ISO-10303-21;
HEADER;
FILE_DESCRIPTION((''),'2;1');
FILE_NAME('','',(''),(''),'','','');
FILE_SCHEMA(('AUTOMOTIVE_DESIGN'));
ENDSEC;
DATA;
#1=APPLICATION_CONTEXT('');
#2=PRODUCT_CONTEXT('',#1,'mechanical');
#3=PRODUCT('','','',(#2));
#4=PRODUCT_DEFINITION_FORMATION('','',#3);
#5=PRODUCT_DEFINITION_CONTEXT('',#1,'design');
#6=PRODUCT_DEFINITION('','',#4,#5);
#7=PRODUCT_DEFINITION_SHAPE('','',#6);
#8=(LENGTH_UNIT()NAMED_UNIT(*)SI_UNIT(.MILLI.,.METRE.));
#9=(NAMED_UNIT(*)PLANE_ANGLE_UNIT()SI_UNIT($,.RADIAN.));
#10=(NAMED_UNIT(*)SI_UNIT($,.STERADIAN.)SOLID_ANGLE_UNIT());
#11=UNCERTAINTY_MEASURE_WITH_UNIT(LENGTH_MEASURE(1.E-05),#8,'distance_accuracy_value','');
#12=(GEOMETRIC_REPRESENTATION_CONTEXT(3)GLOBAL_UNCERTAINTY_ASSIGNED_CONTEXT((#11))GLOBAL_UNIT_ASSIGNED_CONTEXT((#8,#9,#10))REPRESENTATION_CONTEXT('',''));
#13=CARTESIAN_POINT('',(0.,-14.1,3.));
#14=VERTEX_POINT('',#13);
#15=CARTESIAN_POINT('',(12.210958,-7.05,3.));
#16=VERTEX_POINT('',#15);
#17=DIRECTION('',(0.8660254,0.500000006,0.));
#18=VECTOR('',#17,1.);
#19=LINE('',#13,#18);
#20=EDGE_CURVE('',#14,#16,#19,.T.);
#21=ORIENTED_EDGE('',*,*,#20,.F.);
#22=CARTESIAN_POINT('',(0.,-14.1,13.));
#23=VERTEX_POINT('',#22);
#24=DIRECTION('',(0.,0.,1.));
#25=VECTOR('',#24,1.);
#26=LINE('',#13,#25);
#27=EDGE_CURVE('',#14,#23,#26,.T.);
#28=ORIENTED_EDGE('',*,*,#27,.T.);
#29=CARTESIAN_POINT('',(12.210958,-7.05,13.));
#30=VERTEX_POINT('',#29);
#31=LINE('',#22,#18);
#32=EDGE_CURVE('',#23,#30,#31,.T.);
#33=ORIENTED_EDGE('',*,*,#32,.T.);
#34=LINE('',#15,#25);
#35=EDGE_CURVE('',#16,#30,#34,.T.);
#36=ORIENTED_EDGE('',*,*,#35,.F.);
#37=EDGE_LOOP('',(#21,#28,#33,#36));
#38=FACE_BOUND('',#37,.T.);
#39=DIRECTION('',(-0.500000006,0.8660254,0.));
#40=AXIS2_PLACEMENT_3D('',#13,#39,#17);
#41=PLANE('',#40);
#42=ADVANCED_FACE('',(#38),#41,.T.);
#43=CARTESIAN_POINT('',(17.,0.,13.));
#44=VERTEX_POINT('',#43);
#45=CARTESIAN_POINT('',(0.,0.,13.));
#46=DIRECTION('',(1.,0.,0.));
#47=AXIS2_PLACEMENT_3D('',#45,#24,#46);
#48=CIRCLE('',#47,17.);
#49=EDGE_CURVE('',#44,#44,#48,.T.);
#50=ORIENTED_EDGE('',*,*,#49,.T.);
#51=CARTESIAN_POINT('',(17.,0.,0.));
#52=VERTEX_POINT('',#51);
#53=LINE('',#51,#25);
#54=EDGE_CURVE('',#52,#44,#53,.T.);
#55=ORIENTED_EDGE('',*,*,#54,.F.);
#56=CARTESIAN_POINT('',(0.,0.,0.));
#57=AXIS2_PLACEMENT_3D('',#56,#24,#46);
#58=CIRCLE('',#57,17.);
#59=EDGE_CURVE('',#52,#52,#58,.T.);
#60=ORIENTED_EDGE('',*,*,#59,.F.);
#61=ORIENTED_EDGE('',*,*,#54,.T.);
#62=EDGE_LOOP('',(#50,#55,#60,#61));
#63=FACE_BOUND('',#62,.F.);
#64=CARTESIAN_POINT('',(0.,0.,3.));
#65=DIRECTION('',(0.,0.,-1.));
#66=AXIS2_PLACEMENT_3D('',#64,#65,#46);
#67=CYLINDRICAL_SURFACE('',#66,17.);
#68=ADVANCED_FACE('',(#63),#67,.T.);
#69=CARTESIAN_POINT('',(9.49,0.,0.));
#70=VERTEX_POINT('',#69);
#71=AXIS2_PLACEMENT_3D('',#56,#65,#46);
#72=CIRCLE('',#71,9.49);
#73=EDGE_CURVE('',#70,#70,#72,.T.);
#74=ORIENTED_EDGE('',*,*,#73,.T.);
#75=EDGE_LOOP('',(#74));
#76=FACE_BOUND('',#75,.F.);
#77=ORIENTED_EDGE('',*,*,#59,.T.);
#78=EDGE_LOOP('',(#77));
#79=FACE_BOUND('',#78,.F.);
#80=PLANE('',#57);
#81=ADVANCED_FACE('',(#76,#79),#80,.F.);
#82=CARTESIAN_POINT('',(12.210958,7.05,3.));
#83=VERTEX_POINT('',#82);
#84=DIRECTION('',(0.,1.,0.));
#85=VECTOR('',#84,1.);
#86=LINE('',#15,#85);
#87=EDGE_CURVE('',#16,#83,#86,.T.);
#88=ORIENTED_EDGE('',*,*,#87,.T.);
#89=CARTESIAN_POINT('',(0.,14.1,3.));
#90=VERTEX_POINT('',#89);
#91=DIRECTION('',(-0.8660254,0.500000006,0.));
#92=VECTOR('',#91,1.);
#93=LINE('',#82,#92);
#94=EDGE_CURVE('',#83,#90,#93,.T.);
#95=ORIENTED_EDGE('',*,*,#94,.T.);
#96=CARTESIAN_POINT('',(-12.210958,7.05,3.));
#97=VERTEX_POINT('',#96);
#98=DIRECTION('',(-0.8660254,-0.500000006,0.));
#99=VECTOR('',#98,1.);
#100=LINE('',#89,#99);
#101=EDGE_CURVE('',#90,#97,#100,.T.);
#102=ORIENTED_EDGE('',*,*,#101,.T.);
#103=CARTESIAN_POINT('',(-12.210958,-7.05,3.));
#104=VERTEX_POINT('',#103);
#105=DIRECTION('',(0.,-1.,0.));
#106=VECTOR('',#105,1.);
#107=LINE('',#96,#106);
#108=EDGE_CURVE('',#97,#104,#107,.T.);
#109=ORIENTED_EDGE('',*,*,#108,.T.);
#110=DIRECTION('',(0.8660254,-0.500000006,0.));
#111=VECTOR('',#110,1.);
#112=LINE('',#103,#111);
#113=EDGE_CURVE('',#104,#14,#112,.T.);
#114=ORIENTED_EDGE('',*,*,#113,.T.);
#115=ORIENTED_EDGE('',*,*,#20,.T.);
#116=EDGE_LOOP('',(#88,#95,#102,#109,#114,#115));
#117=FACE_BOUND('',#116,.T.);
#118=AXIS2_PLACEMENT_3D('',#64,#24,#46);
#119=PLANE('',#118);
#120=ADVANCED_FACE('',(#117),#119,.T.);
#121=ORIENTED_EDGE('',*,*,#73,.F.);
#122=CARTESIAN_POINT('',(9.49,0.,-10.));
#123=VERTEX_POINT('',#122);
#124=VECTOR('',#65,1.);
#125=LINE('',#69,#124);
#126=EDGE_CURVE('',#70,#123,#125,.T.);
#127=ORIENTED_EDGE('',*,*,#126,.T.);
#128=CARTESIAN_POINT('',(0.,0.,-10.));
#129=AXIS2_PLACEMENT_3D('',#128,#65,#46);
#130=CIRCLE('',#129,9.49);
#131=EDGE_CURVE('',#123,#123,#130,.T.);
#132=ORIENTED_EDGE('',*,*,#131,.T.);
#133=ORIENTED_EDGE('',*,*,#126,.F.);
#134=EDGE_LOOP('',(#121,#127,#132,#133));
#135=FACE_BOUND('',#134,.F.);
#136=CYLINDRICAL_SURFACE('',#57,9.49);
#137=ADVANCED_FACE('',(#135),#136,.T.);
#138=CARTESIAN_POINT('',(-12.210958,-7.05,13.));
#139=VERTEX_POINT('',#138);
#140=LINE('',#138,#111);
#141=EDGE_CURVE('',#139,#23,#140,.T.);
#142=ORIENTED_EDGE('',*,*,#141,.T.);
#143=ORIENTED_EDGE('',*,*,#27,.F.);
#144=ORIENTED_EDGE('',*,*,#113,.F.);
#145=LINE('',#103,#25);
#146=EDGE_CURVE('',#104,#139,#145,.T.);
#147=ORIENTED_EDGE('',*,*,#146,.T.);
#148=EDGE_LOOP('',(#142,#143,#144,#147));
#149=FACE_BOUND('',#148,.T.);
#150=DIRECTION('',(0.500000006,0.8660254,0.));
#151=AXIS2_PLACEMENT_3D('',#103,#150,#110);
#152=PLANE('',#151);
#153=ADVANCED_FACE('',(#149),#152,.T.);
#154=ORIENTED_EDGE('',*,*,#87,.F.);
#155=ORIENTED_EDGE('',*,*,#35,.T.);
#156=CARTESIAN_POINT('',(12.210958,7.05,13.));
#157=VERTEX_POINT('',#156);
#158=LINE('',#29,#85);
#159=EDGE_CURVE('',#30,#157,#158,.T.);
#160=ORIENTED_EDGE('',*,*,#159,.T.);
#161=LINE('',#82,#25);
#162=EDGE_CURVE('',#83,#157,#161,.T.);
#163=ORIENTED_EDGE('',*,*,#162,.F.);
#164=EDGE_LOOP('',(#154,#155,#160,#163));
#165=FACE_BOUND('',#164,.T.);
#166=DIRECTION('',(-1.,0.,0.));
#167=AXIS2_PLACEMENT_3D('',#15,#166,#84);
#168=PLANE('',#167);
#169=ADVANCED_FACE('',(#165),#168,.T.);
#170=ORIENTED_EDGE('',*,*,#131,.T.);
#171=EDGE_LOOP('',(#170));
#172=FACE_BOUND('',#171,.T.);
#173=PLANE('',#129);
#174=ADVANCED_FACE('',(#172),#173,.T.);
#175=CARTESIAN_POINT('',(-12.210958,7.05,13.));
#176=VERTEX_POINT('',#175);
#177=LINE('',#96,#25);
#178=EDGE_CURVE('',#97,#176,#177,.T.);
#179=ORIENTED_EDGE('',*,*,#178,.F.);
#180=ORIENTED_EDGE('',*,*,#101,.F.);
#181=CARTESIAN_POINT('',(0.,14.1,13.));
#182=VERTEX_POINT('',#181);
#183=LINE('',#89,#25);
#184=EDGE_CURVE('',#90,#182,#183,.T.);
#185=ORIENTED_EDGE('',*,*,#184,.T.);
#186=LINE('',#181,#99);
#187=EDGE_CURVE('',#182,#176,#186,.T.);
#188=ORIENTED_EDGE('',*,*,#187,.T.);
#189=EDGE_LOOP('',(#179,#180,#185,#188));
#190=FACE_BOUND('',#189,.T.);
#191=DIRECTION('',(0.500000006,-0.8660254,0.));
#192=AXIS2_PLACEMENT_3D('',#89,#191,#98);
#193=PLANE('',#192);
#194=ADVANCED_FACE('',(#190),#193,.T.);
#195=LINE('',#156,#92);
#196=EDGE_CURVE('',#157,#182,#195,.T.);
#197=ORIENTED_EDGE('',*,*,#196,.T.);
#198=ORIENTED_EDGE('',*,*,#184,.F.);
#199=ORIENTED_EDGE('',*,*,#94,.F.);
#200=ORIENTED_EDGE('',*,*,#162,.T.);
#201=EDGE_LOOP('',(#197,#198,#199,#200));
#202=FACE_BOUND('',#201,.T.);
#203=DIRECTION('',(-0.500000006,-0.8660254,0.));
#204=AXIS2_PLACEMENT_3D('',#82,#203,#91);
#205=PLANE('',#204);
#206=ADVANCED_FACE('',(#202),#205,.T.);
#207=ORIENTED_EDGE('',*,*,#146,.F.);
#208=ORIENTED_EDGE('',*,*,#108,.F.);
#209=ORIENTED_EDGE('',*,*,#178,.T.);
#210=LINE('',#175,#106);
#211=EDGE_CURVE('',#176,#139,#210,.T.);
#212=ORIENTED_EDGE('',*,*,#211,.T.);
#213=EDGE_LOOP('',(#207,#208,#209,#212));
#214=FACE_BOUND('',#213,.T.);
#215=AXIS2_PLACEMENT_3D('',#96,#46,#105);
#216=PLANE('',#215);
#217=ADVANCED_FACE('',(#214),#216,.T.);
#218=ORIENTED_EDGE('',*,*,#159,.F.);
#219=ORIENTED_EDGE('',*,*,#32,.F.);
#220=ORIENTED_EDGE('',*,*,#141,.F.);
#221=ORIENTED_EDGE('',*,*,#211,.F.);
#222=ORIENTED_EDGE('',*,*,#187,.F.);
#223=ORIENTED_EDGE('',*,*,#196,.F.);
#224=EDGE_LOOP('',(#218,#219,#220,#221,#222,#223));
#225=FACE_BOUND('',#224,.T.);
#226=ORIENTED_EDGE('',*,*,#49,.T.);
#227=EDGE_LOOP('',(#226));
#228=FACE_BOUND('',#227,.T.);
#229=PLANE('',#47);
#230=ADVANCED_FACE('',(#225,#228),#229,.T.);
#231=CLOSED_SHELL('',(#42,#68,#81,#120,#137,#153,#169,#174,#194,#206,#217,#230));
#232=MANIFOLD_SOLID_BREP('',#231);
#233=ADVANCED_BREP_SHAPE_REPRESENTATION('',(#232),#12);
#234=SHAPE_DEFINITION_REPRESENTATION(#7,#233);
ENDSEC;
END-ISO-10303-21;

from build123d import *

# Parameters (mm, degrees)
SKETCH_R     = 17
PAD_DEPTH    = 3
SKETCH001_R  = 17
PAD001_DEPTH = 10
SKETCH002_R  = 9.49
PAD002_DEPTH = 10


with BuildPart() as part:
    # Sketch → Pad (new body)
    with BuildSketch(Plane.XY):
        Circle(SKETCH_R)
    extrude(amount=PAD_DEPTH)

    # Sketch001 (on Face3 of Pad) → Pad001 (join)
    with BuildSketch(Plane.XY.offset(3)):
        Circle(SKETCH001_R)
        Polygon((0, 14.1), (-12.210958, 7.05), (-12.210958, -7.05), (0, -14.1), (12.210958, -7.05), (12.210958, 7.05), align=None, mode=Mode.SUBTRACT)
    extrude(amount=PAD001_DEPTH)

    # Sketch002 (on Face2 of Pad001) → Pad002 (join)
    with BuildSketch(Plane(origin=(0, 0, 0), x_dir=(1, 0, 0), z_dir=(0, 0, -1))):
        Circle(SKETCH002_R)
    extrude(amount=PAD002_DEPTH)


solid = part.part
